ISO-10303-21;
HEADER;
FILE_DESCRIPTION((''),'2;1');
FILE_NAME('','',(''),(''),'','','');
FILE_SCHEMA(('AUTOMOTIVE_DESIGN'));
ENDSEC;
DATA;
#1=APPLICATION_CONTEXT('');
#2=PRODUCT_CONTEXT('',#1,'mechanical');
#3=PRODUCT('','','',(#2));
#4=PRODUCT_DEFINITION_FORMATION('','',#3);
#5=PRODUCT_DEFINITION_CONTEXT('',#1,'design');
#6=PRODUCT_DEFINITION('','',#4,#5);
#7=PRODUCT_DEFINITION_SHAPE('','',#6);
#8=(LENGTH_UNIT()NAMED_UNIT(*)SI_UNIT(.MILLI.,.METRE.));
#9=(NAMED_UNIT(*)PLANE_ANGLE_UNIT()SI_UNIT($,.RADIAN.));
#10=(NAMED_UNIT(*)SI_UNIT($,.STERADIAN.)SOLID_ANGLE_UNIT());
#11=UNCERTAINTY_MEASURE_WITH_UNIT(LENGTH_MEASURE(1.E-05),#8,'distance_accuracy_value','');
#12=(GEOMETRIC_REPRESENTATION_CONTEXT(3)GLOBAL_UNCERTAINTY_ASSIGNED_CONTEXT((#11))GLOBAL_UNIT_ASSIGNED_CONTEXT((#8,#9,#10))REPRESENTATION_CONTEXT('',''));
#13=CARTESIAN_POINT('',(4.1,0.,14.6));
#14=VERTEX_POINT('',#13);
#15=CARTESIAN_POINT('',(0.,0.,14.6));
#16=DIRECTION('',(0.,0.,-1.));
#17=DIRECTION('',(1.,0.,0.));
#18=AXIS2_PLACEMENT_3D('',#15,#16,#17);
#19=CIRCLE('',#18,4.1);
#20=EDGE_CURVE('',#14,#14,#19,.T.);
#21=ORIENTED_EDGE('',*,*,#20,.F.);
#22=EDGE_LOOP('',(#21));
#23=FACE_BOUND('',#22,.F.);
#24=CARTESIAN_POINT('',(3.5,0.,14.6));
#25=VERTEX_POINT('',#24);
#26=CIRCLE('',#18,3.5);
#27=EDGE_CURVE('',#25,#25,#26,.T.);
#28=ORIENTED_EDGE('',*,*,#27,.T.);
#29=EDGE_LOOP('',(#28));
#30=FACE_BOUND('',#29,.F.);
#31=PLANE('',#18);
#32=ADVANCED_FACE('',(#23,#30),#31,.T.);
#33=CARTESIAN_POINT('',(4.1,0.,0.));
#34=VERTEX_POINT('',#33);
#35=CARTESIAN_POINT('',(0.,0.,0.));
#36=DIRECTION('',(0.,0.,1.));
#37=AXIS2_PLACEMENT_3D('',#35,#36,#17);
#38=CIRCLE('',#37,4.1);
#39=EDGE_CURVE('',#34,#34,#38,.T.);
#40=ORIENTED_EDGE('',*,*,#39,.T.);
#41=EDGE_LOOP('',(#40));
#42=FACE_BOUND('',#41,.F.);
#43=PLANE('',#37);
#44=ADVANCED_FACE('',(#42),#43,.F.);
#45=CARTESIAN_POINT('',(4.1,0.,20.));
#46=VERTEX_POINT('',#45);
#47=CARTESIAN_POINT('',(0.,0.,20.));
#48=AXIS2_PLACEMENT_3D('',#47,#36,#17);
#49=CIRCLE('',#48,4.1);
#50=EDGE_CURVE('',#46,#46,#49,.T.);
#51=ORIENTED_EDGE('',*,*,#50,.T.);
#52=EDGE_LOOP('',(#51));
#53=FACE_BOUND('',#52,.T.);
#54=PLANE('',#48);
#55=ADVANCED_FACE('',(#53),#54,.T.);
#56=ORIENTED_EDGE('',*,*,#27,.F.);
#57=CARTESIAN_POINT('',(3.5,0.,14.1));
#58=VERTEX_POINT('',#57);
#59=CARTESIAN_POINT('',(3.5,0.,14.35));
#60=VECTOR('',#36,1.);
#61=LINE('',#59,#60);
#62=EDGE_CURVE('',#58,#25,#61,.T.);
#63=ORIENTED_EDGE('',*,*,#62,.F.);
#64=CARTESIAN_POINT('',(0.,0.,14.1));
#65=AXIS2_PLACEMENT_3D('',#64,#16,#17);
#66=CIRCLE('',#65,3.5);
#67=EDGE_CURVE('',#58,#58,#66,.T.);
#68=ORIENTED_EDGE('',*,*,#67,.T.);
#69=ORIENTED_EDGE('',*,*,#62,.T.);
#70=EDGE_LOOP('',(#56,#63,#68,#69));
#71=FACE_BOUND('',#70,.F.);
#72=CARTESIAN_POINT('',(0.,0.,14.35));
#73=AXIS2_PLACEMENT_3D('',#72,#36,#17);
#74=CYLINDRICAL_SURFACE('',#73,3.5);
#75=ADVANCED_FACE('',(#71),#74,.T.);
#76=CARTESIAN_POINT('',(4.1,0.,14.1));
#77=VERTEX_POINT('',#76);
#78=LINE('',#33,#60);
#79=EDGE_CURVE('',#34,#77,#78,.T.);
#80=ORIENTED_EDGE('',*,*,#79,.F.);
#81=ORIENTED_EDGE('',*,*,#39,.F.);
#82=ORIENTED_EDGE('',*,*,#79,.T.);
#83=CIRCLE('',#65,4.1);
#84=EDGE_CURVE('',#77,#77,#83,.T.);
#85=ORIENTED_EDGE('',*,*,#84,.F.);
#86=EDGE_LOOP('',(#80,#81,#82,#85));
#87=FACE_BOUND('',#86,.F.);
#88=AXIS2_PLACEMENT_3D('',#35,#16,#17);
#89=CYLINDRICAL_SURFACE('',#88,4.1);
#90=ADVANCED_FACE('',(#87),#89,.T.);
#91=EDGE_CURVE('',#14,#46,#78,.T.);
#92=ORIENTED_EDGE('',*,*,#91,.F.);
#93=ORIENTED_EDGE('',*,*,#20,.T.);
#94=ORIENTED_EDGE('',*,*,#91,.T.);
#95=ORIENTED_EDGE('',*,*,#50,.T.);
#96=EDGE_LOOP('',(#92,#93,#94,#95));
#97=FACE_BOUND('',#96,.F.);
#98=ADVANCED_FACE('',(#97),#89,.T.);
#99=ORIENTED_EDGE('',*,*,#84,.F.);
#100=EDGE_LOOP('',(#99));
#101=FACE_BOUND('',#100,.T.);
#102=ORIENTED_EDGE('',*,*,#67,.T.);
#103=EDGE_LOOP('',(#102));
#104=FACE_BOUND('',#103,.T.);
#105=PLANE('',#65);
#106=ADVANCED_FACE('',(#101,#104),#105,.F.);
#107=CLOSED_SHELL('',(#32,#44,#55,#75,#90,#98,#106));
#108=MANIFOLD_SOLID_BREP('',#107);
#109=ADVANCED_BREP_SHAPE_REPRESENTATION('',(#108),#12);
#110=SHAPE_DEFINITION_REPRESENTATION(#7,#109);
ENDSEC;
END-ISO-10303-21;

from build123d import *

# Parameters (mm, degrees)
F0_R     = 4.1
F1_DEPTH = 20
F2_W     = 0.6
F2_H     = 0.5


with BuildPart() as f1:
    # F0 (on Top) → F1 (new body)
    with BuildSketch(Plane.XY):
        Circle(F0_R)
    extrude(amount=F1_DEPTH)

    # F2 (on Front) → F3 (revolve, cut)
    with BuildSketch(Plane.XZ):
        with Locations((3.8, 14.35)):
            Rectangle(F2_W, F2_H)
    revolve(axis=Axis((0, 0, 0), (0, 0, -1)), mode=Mode.SUBTRACT)


solid = f1.part
